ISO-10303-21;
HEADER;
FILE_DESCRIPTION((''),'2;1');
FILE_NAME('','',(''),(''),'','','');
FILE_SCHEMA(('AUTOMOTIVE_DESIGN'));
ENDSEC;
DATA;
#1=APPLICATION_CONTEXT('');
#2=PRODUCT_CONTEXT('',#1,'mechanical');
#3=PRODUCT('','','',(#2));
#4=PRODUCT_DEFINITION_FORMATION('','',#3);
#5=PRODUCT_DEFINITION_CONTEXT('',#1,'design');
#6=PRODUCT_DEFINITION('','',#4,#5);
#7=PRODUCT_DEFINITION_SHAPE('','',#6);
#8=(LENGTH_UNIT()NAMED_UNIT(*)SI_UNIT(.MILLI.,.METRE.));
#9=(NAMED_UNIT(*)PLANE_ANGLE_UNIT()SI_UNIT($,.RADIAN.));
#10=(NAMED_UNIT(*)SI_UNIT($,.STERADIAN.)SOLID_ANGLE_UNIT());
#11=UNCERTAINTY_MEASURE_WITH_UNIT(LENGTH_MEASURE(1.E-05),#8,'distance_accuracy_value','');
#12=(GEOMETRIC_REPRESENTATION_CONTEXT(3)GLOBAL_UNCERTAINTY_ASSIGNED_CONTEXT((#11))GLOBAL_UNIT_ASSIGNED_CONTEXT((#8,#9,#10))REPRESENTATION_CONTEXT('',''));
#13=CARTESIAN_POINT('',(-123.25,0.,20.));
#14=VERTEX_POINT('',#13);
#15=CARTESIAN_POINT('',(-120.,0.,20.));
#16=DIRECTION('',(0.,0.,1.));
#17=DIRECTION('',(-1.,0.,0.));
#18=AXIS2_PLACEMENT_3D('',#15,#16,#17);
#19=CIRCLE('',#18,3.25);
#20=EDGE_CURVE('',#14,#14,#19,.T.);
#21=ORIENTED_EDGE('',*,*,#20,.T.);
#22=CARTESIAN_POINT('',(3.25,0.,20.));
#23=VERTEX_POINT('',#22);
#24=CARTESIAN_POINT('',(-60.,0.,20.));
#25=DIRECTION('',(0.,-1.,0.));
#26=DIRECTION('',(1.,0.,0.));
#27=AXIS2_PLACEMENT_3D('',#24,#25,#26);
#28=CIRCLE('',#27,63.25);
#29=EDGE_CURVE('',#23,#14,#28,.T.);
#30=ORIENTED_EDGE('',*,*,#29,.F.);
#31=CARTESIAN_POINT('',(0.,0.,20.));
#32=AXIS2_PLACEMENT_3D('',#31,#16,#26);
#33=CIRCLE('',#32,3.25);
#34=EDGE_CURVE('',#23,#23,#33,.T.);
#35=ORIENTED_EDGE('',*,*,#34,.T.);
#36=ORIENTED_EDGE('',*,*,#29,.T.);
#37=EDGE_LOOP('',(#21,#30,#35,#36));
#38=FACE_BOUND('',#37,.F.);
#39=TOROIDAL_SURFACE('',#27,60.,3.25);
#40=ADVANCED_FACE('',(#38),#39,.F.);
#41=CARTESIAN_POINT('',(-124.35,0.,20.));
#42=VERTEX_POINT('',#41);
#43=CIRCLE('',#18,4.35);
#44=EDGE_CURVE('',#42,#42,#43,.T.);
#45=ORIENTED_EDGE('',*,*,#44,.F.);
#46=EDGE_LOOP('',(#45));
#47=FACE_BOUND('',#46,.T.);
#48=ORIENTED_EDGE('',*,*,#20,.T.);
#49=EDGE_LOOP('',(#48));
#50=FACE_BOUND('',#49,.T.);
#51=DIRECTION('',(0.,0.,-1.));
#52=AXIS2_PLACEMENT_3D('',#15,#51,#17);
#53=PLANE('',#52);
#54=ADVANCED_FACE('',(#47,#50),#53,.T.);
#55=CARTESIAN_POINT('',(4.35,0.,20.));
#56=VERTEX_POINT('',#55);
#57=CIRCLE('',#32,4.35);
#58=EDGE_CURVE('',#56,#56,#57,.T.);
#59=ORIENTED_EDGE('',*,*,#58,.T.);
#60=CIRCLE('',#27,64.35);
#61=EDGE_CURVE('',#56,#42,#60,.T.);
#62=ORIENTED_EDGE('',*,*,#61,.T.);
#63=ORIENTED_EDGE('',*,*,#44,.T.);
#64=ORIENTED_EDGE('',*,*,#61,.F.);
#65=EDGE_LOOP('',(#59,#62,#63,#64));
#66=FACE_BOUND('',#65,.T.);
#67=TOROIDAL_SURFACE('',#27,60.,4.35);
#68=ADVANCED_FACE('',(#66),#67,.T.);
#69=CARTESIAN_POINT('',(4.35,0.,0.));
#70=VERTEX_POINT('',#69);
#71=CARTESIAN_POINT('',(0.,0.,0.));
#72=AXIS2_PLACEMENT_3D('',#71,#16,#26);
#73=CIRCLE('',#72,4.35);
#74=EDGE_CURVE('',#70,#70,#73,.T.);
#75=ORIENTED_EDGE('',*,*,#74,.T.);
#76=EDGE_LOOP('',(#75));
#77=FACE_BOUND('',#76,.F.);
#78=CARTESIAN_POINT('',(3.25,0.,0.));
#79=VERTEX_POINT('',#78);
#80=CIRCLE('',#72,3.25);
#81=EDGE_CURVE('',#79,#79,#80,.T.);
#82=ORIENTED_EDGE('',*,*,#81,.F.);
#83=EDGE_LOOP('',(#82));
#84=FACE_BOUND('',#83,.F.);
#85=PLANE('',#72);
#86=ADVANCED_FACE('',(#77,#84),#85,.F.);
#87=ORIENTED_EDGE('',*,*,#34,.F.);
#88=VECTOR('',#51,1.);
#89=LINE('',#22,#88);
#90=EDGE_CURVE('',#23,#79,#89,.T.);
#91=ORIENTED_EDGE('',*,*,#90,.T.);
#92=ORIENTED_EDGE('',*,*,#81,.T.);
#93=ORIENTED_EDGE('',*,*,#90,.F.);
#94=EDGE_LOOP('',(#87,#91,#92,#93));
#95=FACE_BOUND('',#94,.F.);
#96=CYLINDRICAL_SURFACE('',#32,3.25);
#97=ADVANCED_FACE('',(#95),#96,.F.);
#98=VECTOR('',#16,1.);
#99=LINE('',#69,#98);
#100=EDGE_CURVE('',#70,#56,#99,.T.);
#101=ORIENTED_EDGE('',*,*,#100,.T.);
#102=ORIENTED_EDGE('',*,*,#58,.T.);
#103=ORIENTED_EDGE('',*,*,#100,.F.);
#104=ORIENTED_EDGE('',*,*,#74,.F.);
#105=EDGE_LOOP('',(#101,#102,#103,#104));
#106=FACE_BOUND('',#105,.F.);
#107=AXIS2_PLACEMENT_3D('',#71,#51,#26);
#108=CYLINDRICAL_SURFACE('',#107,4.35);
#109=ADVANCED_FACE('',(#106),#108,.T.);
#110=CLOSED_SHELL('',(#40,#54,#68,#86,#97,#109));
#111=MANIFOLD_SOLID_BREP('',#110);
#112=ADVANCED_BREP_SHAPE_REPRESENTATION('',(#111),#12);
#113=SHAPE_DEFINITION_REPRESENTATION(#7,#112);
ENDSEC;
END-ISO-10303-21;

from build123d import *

# Parameters (mm, degrees)
F0_R        = 4.35
F1_DEPTH    = 20
F2_R        = 3.25
F3_DEPTH    = 25
F1_FACE_R   = 4.35
F1_FACE_R_2 = 3.25


with BuildPart() as f1:
    # F0 (on Top) → F1 (new body)
    with BuildSketch(Plane.XY):
        Circle(F0_R)
    extrude(amount=F1_DEPTH)

    # F2 (on face) → F3 (cut)
    with BuildSketch(Plane.XY.offset(20)):
        Circle(F2_R)
    extrude(amount=-F3_DEPTH, mode=Mode.SUBTRACT)

    # F5: sweep along a path in F4
    with BuildLine(Plane.XZ) as f5_path:
        ThreePointArc((0, 20), (-60, 80), (-120, 20))
    # F1_face (on face) → F5 (sweep)
    with BuildSketch(Plane.XY.offset(20)):
        Circle(F1_FACE_R)
        Circle(F1_FACE_R_2, mode=Mode.SUBTRACT)
    sweep(path=f5_path.line)


solid = f1.part
